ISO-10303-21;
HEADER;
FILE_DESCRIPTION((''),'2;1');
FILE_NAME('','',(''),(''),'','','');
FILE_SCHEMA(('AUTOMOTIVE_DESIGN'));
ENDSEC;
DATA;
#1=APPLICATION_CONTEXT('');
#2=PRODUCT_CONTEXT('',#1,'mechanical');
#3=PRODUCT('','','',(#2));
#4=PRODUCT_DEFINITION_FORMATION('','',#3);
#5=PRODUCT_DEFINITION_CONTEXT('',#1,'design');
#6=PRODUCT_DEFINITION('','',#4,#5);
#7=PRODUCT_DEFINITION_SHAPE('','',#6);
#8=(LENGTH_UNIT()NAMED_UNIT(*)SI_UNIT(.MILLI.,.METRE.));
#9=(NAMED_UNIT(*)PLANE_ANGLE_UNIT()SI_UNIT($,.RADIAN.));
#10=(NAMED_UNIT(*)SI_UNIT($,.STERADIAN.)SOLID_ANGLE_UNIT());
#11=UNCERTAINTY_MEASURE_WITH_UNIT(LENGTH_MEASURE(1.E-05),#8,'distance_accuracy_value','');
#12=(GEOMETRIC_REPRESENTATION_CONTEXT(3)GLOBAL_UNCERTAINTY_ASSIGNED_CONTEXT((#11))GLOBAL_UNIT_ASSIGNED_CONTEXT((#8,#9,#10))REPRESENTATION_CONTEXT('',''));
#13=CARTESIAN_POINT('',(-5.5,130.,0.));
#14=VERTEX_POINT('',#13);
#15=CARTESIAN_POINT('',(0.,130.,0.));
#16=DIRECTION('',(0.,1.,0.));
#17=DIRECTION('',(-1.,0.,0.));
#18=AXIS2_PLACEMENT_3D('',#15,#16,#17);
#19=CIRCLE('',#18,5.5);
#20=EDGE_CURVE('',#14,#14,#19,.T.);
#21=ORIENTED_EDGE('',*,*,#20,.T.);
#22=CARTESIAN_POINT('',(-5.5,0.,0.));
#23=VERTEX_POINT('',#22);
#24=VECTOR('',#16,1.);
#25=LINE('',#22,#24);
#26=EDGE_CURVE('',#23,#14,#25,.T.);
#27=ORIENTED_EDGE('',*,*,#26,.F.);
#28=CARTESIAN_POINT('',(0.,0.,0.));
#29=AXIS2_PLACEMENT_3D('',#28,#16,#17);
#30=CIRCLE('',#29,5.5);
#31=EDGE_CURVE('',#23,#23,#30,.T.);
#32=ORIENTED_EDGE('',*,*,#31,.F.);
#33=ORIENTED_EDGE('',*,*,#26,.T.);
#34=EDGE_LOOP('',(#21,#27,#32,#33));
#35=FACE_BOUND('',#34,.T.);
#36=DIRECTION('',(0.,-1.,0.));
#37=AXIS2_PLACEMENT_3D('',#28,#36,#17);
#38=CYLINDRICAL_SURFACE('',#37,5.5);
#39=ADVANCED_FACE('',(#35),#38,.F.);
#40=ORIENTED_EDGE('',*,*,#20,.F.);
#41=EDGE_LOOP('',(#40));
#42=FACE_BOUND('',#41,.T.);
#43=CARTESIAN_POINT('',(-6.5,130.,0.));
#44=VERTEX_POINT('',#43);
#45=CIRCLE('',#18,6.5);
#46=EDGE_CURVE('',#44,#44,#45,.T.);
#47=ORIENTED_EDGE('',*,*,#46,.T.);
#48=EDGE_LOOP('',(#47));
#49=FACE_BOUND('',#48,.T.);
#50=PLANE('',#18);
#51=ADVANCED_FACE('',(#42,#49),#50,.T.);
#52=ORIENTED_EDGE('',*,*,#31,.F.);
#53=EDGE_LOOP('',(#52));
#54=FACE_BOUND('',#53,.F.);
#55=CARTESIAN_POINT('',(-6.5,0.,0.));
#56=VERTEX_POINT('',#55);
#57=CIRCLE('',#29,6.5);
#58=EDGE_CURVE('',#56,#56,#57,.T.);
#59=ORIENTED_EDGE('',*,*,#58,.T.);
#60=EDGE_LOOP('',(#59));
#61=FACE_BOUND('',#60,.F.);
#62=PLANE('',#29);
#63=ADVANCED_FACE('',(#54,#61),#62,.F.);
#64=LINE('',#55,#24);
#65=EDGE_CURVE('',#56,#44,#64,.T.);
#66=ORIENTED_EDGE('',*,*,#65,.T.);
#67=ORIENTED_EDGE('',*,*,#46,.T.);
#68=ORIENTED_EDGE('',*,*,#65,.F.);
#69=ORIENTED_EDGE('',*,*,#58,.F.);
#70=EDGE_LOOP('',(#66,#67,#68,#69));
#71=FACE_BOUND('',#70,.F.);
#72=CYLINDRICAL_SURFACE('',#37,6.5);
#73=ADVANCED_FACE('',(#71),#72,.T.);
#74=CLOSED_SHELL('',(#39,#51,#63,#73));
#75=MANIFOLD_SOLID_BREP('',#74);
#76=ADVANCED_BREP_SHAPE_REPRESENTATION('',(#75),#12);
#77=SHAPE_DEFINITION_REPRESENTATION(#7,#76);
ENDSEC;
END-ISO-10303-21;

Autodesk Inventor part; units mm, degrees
ref_plane "YZ Plane" through (0, 0, 0) normal (1, 0, 0) x (0, 1, 0)
ref_plane "XZ Plane" through (0, 0, 0) normal (0, 1, 0) x (-1, 0, 0)
ref_plane "XY Plane" through (0, 0, 0) normal (0, 0, 1) x (1, 0, 0)
sketch "Sketch1" plane through (0, 0, 0) normal (0, 1, 0) x (-1, 0, 0)
  circle A0 centre (0, 0) radius 6.5
  circle A1 centre (0, 0) radius 5.5
  dimension "d0" = 13
  dimension "d1" = 1
extrude "Extrusion1" add sketch "Sketch1" along normal blind 130
properties part number "AlumTube"
